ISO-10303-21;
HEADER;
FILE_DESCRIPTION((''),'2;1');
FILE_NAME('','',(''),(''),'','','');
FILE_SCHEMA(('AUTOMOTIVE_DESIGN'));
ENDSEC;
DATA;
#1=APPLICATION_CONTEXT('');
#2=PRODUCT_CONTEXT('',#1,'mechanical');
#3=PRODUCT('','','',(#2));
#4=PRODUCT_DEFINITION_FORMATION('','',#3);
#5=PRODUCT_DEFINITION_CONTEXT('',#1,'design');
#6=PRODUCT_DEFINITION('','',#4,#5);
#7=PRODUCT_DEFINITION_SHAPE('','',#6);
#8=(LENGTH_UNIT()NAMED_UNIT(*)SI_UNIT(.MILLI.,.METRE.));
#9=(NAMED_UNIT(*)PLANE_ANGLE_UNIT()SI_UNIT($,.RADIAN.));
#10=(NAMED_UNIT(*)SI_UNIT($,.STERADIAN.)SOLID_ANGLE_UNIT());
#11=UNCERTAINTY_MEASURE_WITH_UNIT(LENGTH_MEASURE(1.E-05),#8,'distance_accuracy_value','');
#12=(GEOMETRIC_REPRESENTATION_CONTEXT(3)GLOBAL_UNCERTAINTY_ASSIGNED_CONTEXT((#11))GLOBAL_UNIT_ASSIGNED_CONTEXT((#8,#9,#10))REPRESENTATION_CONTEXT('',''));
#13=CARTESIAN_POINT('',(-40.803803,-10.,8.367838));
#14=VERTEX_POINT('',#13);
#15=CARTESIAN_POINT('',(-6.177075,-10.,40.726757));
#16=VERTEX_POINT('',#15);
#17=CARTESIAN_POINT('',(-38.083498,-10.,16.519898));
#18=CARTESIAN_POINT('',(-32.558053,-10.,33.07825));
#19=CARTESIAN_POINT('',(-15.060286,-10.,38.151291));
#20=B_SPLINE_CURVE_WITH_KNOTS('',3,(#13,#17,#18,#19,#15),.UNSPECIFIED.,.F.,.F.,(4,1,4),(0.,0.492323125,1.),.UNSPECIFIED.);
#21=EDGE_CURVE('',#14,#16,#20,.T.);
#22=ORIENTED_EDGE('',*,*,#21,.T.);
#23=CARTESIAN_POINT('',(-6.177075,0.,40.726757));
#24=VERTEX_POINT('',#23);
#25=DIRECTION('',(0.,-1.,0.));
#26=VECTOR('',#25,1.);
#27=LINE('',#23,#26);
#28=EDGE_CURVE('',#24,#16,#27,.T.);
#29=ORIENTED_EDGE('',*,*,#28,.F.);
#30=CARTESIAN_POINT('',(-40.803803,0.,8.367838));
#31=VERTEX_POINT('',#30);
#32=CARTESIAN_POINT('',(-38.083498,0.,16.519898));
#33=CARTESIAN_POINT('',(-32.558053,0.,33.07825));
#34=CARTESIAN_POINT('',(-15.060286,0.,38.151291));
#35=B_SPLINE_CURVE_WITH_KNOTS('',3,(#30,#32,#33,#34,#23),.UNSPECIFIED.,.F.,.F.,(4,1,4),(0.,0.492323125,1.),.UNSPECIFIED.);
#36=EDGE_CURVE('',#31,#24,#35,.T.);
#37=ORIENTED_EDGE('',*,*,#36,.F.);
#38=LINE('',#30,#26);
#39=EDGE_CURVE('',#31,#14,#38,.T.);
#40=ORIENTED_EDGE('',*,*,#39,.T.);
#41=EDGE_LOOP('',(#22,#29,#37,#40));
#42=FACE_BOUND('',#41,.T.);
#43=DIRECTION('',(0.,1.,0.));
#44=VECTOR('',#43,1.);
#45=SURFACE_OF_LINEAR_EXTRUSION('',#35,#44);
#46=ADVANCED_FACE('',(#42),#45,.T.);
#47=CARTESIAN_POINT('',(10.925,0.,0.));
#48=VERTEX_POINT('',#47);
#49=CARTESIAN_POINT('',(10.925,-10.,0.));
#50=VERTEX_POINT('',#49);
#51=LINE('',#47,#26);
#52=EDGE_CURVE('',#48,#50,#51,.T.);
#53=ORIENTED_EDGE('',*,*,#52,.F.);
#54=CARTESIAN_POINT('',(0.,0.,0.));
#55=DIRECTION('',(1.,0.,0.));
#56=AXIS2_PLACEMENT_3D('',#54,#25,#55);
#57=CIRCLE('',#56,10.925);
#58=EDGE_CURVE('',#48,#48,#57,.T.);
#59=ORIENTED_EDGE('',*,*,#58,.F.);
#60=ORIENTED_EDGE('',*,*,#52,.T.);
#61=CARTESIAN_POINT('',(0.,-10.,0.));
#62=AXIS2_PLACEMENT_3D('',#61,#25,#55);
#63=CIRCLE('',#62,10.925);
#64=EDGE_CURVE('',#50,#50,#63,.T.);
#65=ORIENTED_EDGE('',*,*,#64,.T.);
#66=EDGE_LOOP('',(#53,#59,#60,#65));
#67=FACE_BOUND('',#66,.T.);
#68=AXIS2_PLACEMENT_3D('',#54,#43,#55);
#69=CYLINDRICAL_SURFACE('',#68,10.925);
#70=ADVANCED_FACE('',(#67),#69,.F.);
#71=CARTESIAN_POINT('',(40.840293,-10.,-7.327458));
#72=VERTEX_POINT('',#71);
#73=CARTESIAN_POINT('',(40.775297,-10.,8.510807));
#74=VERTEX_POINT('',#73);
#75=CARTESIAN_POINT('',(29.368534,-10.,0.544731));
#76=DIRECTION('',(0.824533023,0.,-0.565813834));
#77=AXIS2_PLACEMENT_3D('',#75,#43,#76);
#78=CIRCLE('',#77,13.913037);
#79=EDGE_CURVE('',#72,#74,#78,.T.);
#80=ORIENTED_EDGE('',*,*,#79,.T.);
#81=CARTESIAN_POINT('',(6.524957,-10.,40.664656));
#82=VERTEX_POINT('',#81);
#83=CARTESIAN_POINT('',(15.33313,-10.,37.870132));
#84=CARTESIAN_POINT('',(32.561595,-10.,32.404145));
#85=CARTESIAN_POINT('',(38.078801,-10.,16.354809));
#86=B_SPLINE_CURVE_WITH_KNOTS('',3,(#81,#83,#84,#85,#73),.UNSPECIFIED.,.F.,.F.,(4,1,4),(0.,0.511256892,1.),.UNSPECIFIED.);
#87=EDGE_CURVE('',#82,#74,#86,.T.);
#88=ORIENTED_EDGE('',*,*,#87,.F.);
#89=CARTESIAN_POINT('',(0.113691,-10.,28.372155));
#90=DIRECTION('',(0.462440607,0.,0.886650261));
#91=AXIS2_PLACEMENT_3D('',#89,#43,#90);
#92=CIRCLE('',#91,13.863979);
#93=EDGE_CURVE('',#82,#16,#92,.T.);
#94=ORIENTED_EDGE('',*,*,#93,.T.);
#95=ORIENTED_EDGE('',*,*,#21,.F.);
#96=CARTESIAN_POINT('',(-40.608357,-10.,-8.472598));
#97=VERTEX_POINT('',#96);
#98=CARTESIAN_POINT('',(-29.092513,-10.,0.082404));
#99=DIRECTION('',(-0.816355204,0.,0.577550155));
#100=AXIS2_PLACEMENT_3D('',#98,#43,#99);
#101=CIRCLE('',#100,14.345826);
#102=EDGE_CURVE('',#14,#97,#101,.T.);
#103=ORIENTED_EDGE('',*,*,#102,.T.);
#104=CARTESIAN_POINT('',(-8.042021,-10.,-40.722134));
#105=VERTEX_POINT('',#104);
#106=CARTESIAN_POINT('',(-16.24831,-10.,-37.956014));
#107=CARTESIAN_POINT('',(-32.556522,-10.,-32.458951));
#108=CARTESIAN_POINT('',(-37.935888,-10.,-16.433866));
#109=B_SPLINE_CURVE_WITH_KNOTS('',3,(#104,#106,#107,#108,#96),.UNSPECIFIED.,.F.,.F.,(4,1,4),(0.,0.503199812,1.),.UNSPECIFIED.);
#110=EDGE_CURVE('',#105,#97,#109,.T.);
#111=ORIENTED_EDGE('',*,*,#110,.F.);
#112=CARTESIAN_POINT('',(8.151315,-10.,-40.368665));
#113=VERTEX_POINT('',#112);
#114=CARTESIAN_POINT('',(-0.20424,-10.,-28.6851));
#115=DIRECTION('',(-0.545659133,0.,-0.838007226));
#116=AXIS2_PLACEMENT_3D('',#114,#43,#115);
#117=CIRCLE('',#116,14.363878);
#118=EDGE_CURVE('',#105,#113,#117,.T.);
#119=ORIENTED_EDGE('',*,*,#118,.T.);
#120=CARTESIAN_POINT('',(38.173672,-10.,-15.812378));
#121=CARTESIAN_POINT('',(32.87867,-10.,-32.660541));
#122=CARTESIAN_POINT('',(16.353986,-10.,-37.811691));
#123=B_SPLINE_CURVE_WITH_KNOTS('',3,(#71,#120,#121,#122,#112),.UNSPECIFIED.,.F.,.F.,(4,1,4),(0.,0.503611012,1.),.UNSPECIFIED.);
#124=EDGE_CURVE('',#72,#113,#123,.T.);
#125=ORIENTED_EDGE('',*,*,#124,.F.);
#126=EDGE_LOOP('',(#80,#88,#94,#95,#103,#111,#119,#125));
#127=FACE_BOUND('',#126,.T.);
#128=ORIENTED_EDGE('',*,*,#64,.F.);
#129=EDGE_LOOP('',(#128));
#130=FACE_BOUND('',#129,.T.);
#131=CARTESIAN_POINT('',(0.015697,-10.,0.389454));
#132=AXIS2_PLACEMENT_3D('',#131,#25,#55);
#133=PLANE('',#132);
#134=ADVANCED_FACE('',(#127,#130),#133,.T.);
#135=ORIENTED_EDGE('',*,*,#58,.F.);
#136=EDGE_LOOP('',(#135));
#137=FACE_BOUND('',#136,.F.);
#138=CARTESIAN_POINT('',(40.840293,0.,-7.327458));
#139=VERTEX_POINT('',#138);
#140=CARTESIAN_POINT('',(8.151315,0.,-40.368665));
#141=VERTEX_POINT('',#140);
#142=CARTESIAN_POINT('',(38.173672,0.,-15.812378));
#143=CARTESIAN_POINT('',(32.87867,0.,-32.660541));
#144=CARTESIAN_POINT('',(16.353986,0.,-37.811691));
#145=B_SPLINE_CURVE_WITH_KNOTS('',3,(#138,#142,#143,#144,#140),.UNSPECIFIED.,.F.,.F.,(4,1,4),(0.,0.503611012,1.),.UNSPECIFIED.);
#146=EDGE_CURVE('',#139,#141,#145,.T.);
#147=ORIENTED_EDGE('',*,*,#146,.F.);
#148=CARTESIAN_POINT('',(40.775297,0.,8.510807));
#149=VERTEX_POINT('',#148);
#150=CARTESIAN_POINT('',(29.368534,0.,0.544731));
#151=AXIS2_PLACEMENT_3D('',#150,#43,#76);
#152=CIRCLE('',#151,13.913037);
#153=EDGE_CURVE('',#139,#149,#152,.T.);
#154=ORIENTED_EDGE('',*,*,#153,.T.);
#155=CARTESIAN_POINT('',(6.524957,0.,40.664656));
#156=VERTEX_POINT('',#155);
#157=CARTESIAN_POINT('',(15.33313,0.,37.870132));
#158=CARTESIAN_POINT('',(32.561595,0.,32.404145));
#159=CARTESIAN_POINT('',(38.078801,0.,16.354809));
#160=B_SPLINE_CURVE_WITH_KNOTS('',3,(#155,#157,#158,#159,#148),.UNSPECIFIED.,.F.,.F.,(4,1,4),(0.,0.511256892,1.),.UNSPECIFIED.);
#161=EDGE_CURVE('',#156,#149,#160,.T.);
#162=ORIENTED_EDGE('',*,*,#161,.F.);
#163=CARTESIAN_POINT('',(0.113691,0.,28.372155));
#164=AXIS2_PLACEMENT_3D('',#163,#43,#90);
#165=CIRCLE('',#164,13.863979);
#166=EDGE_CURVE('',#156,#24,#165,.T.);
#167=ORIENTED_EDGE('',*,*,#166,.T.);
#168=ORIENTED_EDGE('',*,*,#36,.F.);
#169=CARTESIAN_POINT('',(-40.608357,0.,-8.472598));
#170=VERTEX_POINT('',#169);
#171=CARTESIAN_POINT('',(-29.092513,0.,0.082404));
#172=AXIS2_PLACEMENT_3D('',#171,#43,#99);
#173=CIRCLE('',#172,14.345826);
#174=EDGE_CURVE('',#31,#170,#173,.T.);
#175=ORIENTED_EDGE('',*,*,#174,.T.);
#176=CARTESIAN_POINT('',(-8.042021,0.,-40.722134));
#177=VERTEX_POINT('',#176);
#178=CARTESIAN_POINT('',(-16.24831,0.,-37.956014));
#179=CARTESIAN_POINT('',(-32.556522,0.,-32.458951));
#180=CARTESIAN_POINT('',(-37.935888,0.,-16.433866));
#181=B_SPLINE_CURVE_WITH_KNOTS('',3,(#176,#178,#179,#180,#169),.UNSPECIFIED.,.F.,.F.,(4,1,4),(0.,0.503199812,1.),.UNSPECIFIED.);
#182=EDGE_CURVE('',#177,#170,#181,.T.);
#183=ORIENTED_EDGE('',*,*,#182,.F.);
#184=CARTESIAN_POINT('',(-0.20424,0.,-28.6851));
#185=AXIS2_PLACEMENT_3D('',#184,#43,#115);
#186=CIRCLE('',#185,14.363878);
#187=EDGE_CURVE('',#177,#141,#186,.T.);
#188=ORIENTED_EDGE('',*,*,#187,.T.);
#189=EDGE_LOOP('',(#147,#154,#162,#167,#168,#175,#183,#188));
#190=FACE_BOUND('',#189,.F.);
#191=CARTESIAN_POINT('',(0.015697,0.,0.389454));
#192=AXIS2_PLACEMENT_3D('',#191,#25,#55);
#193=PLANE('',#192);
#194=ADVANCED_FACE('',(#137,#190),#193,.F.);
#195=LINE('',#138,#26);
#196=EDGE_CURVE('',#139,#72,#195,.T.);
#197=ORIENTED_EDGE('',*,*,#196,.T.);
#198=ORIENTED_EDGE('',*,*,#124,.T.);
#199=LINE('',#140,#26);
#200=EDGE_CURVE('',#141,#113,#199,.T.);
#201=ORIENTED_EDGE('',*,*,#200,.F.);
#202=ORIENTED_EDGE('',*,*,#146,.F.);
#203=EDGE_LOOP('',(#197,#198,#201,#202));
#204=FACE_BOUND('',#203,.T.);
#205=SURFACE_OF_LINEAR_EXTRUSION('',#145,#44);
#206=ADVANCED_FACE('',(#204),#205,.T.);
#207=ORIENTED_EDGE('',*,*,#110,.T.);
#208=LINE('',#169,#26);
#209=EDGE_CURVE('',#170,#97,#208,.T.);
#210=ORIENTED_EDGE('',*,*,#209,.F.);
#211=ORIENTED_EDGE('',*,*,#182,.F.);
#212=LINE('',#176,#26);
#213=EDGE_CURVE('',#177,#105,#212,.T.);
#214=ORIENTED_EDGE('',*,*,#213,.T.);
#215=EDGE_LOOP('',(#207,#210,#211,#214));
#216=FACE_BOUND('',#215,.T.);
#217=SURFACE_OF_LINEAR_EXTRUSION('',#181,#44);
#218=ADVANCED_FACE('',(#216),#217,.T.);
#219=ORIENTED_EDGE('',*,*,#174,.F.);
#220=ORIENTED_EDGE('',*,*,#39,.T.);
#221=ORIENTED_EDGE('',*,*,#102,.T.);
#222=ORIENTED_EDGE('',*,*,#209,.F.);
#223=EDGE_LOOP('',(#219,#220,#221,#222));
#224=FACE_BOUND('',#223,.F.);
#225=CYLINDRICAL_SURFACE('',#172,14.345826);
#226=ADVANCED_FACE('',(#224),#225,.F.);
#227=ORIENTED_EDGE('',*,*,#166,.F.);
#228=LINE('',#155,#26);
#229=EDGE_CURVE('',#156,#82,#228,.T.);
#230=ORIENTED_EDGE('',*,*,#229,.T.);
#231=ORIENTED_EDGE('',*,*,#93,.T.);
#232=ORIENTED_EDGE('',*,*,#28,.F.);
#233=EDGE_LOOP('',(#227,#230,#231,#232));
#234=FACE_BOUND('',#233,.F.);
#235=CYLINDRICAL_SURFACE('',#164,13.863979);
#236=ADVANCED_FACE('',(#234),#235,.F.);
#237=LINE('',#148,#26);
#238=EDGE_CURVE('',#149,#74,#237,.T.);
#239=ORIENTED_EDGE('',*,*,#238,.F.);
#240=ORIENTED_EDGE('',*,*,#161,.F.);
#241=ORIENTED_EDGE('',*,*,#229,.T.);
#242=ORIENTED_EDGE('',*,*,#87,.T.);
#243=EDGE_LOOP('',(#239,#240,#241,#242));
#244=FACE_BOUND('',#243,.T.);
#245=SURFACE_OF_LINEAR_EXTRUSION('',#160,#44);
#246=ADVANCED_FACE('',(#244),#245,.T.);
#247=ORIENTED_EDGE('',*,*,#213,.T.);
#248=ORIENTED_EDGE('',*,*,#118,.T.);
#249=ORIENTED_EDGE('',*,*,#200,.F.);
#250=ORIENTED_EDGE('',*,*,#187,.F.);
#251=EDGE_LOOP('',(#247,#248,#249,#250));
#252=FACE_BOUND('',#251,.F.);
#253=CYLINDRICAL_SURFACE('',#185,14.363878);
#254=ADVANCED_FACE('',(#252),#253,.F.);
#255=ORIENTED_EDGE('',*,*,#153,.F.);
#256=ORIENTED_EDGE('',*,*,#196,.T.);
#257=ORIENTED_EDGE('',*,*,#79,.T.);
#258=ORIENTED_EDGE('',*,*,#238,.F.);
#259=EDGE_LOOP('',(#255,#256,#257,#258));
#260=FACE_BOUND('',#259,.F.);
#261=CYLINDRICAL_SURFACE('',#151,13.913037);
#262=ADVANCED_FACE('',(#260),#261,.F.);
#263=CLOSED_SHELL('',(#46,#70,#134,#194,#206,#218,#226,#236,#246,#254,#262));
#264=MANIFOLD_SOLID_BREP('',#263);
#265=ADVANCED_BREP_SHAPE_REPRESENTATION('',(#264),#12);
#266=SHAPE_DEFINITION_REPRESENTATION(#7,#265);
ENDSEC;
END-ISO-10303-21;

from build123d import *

# Parameters (mm, degrees)
F0_R     = 10.925
F1_DEPTH = 10


with BuildPart() as f1:
    # F0 (on Front) → F1 (new body)
    with BuildSketch(Plane.XZ):
        with BuildLine():
            ThreePointArc((6.5249574231, 40.6646558384), (0.0459096382, 14.5083418232), (-6.1770754419, 40.726756721))
            add(Edge.make_bspline(
                [(-40.8038027643, 8.3678380007), (-38.0834984497, 16.5198976986), (-32.5580533058, 33.0782497831), (-15.0602859872, 38.151290785), (-6.1770754419, 40.726756721)],
                knots=[0, 0, 0, 0, 0.4923231254, 1, 1, 1, 1], degree=3))
            ThreePointArc((-40.8038027643, 8.3678380007), (-14.7476535733, 0.2488868526), (-40.6083570221, -8.4725978572))
            add(Edge.make_bspline(
                [(-8.0420210312, -40.7221338411), (-16.2483103126, -37.9560136077), (-32.5565222224, -32.4589514256), (-37.9358878916, -16.4338656213), (-40.6083570221, -8.4725978572)],
                knots=[0, 0, 0, 0, 0.5031998119, 1, 1, 1, 1], degree=3))
            ThreePointArc((-8.0420210312, -40.7221338411), (-0.5177001747, -14.3246430561), (8.1513150353, -40.3686653911))
            add(Edge.make_bspline(
                [(40.8402930095, -7.3274582859), (38.1736724372, -15.8123782909), (32.8786702926, -32.6605411422), (16.3539860852, -37.8116905047), (8.1513150353, -40.3686653911)],
                knots=[0, 0, 0, 0, 0.5036110123, 1, 1, 1, 1], degree=3))
            ThreePointArc((40.8402930095, -7.3274582859), (15.4556142243, 0.4876357246), (40.7752969603, 8.5108070158))
            add(Edge.make_bspline(
                [(6.5249574231, 40.6646558384), (15.3331296079, 37.870132091), (32.5615945724, 32.4041451897), (38.0788006621, 16.3548087744), (40.7752969603, 8.5108070158)],
                knots=[0, 0, 0, 0, 0.511256892, 1, 1, 1, 1], degree=3))
        make_face()
        Circle(F0_R, mode=Mode.SUBTRACT)
    extrude(amount=F1_DEPTH)


solid = f1.part
